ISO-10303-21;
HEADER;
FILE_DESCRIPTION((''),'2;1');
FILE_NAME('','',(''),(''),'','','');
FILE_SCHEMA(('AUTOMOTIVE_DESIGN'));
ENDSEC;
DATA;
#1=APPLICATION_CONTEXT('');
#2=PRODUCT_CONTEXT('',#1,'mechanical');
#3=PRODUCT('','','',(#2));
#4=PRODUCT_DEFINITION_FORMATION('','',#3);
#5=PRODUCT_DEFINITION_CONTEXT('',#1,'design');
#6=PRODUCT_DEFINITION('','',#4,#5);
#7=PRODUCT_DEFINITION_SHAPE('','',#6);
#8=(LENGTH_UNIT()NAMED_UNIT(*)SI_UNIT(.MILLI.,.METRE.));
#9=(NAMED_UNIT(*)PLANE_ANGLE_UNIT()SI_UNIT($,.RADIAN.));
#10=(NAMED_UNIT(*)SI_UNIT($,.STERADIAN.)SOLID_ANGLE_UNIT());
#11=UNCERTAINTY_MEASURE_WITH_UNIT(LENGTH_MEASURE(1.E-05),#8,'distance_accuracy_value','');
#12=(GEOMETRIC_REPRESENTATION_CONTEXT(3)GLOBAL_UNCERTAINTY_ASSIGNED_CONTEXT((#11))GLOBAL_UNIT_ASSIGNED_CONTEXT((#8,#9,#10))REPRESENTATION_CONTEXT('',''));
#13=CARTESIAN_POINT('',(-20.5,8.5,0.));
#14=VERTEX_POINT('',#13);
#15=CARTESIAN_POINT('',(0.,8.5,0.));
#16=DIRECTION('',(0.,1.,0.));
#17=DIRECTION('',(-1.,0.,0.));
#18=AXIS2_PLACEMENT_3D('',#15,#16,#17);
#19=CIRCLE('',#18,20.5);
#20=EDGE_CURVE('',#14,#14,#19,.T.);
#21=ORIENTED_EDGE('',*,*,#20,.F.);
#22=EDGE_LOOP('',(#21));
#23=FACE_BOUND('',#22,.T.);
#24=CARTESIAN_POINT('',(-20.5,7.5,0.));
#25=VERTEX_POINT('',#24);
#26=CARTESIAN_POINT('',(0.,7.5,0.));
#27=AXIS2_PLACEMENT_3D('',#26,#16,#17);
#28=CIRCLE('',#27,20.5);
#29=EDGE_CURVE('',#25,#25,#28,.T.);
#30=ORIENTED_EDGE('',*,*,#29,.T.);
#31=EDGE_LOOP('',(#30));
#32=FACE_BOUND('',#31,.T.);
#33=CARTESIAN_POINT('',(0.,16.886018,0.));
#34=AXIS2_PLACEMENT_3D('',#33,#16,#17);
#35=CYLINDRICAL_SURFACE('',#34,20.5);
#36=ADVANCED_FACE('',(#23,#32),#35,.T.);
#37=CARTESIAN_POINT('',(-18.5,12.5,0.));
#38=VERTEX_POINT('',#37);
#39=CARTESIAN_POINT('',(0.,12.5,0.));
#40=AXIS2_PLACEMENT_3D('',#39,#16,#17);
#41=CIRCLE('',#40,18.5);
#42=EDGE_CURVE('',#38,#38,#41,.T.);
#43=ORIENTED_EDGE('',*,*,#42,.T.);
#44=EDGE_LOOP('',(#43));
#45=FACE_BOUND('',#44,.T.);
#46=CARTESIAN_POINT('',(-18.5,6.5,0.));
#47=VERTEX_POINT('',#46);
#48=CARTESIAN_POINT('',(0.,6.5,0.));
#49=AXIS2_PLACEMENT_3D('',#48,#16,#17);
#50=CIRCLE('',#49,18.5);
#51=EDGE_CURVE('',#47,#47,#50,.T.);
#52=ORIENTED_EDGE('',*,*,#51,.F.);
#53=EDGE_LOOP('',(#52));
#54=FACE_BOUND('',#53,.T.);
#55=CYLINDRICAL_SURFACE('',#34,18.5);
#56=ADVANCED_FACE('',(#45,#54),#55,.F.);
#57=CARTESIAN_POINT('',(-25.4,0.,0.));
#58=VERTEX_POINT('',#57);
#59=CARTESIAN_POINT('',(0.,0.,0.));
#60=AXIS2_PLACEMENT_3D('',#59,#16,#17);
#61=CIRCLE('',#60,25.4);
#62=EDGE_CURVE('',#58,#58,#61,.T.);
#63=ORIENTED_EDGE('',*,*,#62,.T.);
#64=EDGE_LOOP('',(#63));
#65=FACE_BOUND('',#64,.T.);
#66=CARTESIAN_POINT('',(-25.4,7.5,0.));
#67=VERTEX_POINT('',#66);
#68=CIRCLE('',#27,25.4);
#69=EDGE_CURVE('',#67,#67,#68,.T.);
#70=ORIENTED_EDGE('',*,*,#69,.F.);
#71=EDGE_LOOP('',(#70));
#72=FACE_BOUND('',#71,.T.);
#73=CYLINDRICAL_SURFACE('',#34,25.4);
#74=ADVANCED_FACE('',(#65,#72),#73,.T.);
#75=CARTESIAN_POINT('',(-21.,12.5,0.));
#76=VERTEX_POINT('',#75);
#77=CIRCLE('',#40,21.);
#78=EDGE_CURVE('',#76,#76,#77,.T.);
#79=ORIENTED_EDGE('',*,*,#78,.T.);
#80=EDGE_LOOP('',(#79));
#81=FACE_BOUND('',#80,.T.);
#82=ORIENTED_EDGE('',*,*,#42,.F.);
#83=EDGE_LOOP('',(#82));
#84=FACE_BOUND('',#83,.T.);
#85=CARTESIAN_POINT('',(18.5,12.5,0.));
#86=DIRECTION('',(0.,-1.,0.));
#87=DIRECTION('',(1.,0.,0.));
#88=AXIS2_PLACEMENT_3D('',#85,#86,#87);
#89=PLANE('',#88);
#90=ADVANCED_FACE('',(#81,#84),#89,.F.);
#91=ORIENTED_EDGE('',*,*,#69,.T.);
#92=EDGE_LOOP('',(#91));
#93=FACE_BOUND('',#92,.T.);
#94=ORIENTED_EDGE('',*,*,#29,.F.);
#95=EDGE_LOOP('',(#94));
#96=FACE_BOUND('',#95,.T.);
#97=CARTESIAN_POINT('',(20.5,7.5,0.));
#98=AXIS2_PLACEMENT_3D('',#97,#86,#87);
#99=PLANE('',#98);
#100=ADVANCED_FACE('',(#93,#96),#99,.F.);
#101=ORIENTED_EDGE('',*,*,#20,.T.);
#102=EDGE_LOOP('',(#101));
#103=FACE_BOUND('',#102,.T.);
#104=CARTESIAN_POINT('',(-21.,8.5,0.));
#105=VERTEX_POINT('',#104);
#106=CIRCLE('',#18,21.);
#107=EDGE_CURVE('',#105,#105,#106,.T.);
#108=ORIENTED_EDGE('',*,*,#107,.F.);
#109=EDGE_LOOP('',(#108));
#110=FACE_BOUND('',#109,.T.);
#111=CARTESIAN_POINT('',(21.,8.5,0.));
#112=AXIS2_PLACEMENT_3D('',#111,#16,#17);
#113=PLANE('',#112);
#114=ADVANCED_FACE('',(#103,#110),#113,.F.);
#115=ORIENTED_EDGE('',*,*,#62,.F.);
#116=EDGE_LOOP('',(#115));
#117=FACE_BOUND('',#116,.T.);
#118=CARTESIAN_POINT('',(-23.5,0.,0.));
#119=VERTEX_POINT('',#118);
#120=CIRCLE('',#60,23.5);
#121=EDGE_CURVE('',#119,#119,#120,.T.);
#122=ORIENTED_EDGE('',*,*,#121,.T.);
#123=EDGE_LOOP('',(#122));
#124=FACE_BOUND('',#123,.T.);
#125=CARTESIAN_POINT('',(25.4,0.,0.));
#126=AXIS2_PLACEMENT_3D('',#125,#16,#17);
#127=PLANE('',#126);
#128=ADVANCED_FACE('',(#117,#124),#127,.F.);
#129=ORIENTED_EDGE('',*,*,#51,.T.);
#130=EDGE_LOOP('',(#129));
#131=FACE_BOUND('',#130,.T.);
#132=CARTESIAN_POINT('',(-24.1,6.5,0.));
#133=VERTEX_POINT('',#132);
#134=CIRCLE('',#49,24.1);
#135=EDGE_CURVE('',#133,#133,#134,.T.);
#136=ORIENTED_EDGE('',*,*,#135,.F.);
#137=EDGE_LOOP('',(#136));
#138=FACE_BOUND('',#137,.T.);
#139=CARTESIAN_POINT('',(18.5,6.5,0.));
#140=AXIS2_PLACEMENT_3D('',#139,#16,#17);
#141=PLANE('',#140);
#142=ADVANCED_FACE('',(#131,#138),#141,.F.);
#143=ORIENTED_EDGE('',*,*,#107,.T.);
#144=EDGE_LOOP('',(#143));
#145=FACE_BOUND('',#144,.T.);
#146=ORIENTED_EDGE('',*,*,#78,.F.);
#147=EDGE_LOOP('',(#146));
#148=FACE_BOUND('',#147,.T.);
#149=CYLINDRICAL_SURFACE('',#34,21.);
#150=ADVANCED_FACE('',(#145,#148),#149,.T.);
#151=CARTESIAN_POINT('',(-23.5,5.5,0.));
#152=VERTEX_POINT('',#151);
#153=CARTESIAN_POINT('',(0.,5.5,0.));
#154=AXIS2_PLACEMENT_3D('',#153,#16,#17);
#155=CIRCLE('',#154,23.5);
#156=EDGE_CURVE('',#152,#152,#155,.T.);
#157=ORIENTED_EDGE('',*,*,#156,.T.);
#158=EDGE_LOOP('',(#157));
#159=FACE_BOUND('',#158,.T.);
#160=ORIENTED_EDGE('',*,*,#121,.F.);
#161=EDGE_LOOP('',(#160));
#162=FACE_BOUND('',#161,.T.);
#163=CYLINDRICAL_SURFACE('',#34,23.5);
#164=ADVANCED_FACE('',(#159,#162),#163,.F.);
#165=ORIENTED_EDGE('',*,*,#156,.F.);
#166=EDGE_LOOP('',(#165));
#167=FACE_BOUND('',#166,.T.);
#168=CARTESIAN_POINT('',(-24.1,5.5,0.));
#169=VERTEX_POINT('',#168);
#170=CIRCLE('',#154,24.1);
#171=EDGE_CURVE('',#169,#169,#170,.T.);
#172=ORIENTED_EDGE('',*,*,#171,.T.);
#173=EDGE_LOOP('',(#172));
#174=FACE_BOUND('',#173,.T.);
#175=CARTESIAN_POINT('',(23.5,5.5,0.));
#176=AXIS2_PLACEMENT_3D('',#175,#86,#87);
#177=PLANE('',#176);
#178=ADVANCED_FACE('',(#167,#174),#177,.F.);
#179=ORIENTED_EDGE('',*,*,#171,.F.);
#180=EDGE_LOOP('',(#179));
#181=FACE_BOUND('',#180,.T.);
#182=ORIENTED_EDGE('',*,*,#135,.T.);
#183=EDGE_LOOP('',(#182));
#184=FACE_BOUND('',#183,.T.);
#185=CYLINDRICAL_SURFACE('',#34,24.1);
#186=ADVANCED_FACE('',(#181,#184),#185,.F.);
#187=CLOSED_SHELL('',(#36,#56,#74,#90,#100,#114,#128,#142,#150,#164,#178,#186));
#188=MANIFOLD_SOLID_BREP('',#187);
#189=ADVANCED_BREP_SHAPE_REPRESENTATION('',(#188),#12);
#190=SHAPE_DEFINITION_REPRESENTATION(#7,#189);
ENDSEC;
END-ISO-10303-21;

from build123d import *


with BuildPart() as part:
    # 草图1 → 旋转1 (revolve)
    with BuildSketch(Plane.XY, mode=Mode.PRIVATE) as revolve_1_sk:
        Polygon((23.5, 0), (23.5, 5.5), (24.1, 5.5), (24.1, 6.5), (18.5, 6.5), (18.5, 12.5), (21, 12.5), (21, 8.5), (20.5, 8.5), (20.5, 7.5), (25.4, 7.5), (25.4, 0), align=None)
    revolve(revolve_1_sk.sketch.rotate(Axis((0, 16.886018237, 0), (0, -1, 0)), 180), axis=Axis((0, 16.886018237, 0), (0, -1, 0)))  # turned: the seam where the file's is


solid = part.part
